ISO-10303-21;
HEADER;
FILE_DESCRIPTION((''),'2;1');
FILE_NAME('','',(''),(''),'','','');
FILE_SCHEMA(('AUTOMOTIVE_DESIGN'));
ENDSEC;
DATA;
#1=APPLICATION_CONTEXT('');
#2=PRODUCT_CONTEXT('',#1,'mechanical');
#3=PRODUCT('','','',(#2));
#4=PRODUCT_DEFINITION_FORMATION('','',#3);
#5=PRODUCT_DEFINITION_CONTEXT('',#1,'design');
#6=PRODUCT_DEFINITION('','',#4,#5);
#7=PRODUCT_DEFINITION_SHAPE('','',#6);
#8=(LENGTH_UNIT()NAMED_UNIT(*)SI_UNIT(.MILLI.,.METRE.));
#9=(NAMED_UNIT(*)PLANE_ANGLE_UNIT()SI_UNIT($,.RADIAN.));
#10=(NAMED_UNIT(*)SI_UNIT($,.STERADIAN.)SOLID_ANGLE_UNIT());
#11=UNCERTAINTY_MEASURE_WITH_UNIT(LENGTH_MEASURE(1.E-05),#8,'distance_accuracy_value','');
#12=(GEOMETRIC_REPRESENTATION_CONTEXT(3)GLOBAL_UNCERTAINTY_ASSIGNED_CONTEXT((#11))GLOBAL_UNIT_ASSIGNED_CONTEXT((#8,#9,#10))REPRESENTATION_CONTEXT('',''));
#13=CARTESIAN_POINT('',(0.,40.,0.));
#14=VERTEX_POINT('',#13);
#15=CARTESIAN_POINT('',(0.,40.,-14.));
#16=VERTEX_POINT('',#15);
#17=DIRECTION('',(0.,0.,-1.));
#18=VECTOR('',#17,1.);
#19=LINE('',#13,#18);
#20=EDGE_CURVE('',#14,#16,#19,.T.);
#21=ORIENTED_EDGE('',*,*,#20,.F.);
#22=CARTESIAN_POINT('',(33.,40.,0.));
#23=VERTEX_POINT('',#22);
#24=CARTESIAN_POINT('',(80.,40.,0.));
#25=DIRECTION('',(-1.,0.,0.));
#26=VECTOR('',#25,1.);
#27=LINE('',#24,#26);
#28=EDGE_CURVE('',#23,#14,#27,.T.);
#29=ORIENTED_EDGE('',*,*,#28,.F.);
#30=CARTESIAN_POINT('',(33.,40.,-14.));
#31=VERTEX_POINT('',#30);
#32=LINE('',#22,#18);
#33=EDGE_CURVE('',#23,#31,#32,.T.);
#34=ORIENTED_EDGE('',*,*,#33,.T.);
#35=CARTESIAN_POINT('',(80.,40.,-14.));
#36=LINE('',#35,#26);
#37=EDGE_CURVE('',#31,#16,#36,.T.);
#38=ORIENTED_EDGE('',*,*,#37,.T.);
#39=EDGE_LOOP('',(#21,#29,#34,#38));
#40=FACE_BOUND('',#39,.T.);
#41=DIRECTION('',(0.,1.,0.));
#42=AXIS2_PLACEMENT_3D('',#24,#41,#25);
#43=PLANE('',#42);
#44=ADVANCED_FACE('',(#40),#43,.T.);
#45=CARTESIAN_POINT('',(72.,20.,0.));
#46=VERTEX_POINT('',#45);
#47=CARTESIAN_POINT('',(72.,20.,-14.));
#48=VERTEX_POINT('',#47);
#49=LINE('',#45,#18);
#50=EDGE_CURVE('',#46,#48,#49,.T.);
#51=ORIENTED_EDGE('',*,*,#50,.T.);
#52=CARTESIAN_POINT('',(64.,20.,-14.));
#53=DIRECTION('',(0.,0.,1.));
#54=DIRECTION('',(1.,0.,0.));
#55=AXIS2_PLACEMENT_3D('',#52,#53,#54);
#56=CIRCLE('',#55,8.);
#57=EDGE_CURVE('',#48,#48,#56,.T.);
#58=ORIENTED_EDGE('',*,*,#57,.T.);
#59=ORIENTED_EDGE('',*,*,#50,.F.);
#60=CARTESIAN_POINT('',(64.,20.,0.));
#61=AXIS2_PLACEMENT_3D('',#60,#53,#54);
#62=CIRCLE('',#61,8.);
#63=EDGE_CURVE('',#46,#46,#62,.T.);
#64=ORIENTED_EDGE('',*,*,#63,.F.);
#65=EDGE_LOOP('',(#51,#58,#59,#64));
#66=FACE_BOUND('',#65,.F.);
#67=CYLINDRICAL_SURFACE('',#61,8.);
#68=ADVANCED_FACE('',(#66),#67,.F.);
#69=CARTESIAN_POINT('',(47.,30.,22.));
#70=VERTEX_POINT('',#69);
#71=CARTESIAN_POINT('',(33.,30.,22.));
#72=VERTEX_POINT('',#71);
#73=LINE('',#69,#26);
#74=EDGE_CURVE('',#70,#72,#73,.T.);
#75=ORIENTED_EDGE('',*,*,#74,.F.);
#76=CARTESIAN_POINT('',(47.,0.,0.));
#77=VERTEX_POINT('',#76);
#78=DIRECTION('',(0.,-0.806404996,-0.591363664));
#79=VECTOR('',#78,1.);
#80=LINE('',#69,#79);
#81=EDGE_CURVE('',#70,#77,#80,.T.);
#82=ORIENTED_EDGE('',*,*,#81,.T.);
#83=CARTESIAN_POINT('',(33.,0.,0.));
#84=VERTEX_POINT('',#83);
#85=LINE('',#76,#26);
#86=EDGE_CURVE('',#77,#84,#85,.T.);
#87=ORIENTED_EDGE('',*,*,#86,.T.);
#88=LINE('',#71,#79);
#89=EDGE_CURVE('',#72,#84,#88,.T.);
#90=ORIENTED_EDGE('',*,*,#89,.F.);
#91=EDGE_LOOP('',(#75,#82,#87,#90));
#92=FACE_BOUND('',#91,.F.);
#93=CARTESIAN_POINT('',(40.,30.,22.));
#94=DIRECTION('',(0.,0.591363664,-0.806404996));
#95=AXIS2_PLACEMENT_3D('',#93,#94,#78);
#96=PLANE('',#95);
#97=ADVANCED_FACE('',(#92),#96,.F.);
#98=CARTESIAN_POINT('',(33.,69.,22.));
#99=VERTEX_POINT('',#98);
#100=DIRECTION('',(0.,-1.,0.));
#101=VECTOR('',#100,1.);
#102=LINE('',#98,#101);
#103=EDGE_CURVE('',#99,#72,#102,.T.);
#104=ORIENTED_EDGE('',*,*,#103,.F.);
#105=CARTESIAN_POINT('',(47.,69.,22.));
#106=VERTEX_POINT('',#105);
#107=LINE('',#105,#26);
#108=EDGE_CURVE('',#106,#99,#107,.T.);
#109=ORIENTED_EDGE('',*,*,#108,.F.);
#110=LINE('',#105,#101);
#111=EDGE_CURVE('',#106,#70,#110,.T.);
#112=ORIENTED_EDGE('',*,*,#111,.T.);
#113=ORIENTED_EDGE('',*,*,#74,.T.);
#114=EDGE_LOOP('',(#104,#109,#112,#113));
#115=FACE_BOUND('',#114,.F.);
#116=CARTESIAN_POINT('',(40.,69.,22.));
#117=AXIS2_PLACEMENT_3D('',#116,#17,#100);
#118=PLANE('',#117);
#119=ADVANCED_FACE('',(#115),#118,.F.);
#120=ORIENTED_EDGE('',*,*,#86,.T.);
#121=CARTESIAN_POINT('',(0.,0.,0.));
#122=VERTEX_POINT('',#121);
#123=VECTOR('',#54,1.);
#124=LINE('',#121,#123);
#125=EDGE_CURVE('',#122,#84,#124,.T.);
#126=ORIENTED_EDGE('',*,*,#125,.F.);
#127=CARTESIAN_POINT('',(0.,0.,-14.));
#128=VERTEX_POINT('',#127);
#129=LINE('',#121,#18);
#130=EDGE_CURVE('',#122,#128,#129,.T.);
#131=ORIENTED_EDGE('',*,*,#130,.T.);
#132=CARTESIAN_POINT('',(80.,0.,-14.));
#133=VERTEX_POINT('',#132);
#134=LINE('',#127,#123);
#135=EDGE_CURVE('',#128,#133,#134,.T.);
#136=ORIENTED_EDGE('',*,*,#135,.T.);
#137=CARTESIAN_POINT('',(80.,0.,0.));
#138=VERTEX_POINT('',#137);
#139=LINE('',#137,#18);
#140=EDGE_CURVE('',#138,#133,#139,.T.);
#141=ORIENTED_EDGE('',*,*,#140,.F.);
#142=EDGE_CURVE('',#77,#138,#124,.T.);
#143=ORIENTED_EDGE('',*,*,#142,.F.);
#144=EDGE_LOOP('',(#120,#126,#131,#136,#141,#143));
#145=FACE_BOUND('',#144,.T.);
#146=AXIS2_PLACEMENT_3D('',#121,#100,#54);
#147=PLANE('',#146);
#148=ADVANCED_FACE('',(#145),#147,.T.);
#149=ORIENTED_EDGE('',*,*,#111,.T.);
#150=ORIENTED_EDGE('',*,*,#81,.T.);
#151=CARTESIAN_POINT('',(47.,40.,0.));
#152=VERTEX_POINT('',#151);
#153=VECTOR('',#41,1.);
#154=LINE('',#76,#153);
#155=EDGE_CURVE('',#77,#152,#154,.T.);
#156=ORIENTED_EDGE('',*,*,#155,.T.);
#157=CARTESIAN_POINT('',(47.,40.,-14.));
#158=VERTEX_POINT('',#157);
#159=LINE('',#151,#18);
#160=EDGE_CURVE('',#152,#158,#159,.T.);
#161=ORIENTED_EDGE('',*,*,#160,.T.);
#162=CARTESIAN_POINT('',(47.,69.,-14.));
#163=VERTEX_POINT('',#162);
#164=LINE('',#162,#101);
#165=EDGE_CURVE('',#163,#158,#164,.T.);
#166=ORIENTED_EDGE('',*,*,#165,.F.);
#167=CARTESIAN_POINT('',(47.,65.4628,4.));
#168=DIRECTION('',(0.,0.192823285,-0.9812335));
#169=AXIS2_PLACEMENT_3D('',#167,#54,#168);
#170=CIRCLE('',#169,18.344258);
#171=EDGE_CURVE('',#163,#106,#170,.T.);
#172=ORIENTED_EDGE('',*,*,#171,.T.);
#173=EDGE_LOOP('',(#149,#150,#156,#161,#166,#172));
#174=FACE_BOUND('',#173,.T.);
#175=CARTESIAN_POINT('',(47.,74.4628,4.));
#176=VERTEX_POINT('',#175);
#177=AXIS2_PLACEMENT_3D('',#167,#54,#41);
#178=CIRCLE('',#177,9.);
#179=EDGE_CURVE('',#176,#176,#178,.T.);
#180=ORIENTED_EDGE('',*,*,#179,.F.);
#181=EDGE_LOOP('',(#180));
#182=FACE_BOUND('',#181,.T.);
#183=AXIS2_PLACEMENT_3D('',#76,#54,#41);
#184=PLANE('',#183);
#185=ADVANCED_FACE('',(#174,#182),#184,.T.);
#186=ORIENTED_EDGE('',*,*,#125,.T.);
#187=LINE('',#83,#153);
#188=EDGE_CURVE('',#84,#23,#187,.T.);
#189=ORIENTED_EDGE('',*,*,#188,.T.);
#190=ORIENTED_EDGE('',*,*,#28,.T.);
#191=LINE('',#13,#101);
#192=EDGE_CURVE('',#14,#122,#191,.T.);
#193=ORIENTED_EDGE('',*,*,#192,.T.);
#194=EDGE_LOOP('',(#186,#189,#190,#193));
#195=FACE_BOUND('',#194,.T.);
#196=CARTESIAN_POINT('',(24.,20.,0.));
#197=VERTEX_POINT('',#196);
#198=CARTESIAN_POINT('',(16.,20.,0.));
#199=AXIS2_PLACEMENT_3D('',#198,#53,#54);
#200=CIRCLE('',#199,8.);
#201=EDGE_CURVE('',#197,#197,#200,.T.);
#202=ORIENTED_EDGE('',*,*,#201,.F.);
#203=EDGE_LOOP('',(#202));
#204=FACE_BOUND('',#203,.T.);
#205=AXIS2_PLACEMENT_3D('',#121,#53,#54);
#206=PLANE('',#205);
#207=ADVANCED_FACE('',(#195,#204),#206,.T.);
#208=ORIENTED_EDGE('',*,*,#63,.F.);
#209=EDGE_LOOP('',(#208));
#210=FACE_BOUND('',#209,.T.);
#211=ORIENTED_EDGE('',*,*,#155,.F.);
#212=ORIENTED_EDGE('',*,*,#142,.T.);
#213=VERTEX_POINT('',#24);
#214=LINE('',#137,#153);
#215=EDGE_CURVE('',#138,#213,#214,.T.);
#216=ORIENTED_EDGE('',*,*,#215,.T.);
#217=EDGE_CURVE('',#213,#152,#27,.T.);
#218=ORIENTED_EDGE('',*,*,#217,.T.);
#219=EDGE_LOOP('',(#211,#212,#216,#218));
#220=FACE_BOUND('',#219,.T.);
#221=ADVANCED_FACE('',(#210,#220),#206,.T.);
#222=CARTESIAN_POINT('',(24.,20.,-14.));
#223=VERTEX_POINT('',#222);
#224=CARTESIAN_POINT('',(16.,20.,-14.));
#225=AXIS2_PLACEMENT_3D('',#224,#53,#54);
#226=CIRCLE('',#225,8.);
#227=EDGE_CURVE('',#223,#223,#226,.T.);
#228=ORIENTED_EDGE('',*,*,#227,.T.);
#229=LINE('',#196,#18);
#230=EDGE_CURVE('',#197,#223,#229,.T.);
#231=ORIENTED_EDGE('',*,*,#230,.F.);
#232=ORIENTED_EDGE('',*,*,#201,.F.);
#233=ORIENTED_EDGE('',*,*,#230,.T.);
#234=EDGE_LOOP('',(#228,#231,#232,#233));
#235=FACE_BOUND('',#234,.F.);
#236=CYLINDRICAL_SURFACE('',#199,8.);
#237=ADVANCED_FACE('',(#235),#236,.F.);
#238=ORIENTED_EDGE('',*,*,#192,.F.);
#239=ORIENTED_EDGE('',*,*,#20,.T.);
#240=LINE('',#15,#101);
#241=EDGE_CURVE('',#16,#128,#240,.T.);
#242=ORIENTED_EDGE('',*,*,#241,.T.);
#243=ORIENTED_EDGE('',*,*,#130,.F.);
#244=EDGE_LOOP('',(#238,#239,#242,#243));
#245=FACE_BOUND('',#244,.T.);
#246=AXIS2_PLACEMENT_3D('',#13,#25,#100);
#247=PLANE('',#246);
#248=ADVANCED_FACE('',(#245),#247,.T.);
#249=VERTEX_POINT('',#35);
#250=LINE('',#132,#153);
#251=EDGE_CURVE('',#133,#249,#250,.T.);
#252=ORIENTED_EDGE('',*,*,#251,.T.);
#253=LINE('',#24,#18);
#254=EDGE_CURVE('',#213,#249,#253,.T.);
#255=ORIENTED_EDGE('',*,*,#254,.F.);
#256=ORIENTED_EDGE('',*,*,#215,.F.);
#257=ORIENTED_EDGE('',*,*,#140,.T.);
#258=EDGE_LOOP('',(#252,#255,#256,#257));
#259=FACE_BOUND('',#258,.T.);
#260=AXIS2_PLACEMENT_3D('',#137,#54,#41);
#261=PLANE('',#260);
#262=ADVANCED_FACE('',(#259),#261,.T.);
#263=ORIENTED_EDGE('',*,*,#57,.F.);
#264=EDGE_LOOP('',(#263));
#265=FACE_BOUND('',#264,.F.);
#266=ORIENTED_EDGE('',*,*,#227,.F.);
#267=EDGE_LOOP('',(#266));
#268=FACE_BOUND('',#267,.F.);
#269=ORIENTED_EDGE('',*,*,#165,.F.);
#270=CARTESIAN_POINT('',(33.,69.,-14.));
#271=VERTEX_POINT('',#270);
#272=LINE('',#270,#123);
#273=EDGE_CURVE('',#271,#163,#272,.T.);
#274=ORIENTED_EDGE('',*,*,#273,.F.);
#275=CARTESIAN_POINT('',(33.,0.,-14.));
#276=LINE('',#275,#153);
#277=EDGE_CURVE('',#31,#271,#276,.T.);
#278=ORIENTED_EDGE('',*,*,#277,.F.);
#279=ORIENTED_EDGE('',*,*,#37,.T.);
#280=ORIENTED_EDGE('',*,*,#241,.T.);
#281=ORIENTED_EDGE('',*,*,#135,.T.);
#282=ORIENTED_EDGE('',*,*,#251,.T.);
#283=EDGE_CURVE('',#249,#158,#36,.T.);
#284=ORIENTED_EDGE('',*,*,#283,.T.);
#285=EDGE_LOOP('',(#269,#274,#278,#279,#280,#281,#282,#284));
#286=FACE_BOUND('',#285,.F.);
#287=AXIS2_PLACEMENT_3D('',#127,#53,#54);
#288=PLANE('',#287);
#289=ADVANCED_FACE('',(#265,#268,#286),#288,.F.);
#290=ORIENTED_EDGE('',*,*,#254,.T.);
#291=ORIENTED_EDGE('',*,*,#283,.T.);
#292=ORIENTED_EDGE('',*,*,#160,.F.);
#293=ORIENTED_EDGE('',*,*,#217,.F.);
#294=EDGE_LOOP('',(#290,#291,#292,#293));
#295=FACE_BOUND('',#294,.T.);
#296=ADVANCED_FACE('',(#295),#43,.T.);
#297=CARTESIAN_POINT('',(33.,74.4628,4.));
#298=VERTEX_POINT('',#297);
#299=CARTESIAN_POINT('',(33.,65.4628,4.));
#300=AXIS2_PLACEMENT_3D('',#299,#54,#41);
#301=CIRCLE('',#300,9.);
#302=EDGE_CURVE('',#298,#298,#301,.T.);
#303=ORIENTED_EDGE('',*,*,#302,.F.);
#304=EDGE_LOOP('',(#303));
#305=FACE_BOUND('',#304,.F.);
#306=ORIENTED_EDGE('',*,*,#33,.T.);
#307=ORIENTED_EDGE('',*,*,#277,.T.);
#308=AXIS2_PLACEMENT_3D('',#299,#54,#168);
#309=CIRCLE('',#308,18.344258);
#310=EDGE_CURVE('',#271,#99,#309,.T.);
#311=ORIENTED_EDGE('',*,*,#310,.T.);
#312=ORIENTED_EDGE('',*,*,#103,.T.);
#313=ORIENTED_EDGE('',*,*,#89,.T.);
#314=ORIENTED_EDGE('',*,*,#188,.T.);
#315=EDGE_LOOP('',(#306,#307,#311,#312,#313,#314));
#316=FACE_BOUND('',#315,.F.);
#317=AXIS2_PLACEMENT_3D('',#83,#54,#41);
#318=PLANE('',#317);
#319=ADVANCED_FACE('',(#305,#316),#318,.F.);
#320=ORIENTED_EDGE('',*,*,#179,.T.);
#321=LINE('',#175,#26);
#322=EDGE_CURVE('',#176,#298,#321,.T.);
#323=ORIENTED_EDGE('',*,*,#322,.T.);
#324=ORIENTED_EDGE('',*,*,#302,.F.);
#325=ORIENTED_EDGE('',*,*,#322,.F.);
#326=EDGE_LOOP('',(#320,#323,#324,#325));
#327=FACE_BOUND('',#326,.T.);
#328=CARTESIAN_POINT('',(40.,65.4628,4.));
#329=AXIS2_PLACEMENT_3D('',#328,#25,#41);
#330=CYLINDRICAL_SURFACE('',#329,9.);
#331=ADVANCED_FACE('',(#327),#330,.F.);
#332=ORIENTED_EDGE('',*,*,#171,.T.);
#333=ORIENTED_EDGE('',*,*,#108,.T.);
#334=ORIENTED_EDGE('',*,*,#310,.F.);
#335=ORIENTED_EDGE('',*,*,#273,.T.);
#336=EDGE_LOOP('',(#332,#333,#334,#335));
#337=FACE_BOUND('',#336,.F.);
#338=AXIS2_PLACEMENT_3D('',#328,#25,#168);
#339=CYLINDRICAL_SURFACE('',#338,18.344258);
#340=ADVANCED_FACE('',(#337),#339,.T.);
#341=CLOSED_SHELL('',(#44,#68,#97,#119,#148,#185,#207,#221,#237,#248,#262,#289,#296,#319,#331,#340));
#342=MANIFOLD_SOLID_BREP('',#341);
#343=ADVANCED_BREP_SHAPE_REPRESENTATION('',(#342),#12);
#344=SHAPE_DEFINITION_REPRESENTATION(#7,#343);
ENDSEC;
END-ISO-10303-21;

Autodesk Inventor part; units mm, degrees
ref_plane "XZ Plane" through (0, 0, 0) normal (0, 1, 0) x (-1, 0, 0)
ref_plane "XY Plane" through (0, 0, 0) normal (0, 0, 1) x (1, 0, 0)
sketch "Náčrt1" plane through (0, 0, 0) normal (0, 0, 1) x (1, 0, 0)
  line L0 (0, 0) -> (80, 0)
  line L1 (80, 0) -> (80, 40)
  line L2 (80, 40) -> (0, 40)
  line L3 (0, 40) -> (0, 0)
  circle A0 centre (16, 20) radius 8
  circle A1 centre (64, 20) radius 8
  dimension "d0" = 80
  dimension "d1" = 40
  dimension "d2" = 16
  dimension "d3" = 16
extrude "Vysunutí1" add sketch "Náčrt1" against normal blind 14
ref_plane "Pracovní rovina1" through (40, 0, 0) normal (1, 0, 0) x (0, 1, 0)
sketch "Náčrt2" plane through (40, 0, 0) normal (1, 0, 0) x (0, 1, 0)
  line L0 (0, -14) -> (40, -14) projected
  line L1 (40, -14) -> (69, -14)
  line L2 (40, 0) -> (0, 0) projected
  circle A0 centre (65.4628, 4) radius 9
  arc A1 (69, -14) -> (69, 22) centre (65.4628, 4) ccw
  line L3 (69, 22) -> (30, 22)
  line L4 (30, 22) -> (0, 0)
  line L5 (0, 0) -> (0, -14)
  line L6 (0, -14) -> (40, -14)
  dimension "d7" = 29
  dimension "d9" = 18
  dimension "d10" = 36
  dimension "d11" = 18.3443
  dimension "d12" = 39
extrude "Vysunutí2" add sketch "Náčrt2" along normal mid plane 14
properties part number "14"
